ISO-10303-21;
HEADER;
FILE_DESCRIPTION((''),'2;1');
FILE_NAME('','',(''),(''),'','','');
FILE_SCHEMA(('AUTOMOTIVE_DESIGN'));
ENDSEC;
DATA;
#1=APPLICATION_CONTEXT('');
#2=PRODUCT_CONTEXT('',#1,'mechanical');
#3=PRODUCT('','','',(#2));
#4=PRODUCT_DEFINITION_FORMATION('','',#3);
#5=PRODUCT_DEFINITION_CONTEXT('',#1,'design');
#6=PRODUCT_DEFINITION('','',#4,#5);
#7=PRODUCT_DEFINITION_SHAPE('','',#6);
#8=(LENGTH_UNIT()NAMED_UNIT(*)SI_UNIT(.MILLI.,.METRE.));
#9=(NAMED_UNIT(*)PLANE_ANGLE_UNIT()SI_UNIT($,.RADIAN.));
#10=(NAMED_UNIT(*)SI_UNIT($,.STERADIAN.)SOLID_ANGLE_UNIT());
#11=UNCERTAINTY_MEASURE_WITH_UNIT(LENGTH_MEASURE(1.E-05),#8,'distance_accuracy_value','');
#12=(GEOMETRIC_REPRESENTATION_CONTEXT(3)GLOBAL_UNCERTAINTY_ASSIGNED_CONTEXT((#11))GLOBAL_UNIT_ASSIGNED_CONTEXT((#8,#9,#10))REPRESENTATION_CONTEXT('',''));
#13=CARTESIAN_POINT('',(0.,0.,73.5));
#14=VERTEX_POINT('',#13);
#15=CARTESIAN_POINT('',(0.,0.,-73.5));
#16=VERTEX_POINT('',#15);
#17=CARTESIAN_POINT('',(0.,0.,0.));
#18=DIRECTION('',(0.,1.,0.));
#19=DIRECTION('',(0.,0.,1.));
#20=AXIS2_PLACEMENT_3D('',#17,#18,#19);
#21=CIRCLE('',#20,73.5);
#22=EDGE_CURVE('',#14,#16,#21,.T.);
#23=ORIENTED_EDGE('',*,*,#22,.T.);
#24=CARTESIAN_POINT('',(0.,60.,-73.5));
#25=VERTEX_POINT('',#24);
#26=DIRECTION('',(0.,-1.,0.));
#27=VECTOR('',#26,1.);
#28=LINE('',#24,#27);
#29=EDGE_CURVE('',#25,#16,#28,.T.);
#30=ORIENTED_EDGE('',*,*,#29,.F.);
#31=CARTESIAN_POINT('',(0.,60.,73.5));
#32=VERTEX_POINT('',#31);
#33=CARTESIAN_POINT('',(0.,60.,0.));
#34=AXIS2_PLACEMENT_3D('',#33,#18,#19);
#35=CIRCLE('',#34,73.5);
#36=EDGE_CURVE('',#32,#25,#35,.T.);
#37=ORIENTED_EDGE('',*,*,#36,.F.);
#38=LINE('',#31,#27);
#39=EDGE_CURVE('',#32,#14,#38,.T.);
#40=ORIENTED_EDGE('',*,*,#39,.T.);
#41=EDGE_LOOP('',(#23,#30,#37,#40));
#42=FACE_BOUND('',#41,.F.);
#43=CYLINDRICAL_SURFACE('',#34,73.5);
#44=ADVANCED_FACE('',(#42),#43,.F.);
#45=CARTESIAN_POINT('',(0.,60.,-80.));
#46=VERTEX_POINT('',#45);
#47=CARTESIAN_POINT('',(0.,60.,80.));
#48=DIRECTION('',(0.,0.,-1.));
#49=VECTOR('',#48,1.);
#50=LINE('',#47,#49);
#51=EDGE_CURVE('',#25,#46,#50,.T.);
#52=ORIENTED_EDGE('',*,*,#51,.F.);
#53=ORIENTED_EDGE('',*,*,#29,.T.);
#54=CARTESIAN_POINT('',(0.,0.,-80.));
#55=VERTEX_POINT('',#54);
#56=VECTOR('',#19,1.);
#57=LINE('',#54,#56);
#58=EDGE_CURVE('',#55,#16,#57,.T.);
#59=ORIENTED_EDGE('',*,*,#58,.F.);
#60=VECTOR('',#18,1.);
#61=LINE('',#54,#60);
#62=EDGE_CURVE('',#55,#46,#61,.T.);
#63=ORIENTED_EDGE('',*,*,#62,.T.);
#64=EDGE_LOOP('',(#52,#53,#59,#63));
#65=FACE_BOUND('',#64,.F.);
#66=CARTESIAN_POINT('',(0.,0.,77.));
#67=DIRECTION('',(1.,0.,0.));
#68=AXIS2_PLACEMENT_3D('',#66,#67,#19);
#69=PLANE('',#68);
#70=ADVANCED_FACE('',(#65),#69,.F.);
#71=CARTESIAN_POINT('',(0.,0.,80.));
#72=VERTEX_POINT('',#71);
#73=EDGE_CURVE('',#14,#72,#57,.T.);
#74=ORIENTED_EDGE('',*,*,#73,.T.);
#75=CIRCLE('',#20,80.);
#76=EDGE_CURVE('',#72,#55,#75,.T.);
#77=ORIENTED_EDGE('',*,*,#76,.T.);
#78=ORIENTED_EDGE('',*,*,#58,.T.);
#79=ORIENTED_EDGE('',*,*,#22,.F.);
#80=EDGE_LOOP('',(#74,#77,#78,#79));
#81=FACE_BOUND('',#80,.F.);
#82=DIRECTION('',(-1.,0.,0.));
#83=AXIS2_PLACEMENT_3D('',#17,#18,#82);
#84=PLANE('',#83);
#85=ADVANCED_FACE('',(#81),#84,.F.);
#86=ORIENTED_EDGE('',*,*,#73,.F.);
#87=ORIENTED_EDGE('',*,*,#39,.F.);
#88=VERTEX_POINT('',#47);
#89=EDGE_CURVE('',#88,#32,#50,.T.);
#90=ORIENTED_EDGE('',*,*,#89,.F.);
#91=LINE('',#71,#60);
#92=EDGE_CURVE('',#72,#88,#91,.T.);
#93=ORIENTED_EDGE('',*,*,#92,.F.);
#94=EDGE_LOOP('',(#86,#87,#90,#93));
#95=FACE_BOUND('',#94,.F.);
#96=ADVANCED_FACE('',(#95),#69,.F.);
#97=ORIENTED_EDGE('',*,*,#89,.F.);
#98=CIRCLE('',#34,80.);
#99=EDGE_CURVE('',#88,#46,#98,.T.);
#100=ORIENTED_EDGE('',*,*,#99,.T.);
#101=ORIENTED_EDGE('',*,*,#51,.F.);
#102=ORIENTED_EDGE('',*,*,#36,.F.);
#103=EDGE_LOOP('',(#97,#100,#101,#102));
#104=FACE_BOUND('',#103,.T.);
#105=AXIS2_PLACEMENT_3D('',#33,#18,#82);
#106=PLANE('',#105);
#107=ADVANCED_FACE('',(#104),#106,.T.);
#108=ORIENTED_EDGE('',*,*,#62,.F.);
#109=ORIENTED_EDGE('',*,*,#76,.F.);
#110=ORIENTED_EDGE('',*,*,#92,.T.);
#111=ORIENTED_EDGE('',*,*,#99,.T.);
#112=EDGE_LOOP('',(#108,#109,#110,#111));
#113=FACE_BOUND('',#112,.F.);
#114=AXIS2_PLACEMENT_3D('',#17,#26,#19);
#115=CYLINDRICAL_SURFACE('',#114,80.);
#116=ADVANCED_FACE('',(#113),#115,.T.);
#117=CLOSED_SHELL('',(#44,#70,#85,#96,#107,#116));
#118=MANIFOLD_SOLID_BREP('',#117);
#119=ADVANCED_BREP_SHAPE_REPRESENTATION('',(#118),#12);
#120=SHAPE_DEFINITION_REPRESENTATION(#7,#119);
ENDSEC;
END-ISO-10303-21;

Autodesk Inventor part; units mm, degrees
ref_plane "YZ Plane" through (0, 0, 0) normal (1, 0, 0) x (0, 1, 0)
ref_plane "XZ Plane" through (0, 0, 0) normal (0, 1, 0) x (-1, 0, 0)
ref_plane "XY Plane" through (0, 0, 0) normal (0, 0, 1) x (1, 0, 0)
sketch "Sketch1" plane through (0, 0, 0) normal (0, 1, 0) x (-1, 0, 0)
  arc A0 (0, 80) -> (0, -80) centre (0, 0) ccw
  arc A1 (0, 77) -> (0, -77) centre (0, 0) ccw
  line L0 (0, -80) -> (0, 80)
  dimension "d0" = 160
  dimension "d1" = 3
extrude "Extrusion1" add sketch "Sketch1" along normal blind 60
sketch "Sketch3" plane through (0, 60, 0) normal (0, 1, 0) x (1, 0, 0)
  arc A0 (0, -73.5) -> (0, 73.5) centre (0, 0) ccw
  arc A1 (0, -80) -> (0, 80) centre (0, 0) ccw projected
  line L0 (0, 80) -> (0, -80) projected
  line L1 (0, 73.5) -> (0, -73.5)
  dimension "d11" = 147
extrude "Extrusion4" cut sketch "Sketch3" against normal blind 60 contours L0 A0
properties part number "Parte media R2D2_3DPrint"
